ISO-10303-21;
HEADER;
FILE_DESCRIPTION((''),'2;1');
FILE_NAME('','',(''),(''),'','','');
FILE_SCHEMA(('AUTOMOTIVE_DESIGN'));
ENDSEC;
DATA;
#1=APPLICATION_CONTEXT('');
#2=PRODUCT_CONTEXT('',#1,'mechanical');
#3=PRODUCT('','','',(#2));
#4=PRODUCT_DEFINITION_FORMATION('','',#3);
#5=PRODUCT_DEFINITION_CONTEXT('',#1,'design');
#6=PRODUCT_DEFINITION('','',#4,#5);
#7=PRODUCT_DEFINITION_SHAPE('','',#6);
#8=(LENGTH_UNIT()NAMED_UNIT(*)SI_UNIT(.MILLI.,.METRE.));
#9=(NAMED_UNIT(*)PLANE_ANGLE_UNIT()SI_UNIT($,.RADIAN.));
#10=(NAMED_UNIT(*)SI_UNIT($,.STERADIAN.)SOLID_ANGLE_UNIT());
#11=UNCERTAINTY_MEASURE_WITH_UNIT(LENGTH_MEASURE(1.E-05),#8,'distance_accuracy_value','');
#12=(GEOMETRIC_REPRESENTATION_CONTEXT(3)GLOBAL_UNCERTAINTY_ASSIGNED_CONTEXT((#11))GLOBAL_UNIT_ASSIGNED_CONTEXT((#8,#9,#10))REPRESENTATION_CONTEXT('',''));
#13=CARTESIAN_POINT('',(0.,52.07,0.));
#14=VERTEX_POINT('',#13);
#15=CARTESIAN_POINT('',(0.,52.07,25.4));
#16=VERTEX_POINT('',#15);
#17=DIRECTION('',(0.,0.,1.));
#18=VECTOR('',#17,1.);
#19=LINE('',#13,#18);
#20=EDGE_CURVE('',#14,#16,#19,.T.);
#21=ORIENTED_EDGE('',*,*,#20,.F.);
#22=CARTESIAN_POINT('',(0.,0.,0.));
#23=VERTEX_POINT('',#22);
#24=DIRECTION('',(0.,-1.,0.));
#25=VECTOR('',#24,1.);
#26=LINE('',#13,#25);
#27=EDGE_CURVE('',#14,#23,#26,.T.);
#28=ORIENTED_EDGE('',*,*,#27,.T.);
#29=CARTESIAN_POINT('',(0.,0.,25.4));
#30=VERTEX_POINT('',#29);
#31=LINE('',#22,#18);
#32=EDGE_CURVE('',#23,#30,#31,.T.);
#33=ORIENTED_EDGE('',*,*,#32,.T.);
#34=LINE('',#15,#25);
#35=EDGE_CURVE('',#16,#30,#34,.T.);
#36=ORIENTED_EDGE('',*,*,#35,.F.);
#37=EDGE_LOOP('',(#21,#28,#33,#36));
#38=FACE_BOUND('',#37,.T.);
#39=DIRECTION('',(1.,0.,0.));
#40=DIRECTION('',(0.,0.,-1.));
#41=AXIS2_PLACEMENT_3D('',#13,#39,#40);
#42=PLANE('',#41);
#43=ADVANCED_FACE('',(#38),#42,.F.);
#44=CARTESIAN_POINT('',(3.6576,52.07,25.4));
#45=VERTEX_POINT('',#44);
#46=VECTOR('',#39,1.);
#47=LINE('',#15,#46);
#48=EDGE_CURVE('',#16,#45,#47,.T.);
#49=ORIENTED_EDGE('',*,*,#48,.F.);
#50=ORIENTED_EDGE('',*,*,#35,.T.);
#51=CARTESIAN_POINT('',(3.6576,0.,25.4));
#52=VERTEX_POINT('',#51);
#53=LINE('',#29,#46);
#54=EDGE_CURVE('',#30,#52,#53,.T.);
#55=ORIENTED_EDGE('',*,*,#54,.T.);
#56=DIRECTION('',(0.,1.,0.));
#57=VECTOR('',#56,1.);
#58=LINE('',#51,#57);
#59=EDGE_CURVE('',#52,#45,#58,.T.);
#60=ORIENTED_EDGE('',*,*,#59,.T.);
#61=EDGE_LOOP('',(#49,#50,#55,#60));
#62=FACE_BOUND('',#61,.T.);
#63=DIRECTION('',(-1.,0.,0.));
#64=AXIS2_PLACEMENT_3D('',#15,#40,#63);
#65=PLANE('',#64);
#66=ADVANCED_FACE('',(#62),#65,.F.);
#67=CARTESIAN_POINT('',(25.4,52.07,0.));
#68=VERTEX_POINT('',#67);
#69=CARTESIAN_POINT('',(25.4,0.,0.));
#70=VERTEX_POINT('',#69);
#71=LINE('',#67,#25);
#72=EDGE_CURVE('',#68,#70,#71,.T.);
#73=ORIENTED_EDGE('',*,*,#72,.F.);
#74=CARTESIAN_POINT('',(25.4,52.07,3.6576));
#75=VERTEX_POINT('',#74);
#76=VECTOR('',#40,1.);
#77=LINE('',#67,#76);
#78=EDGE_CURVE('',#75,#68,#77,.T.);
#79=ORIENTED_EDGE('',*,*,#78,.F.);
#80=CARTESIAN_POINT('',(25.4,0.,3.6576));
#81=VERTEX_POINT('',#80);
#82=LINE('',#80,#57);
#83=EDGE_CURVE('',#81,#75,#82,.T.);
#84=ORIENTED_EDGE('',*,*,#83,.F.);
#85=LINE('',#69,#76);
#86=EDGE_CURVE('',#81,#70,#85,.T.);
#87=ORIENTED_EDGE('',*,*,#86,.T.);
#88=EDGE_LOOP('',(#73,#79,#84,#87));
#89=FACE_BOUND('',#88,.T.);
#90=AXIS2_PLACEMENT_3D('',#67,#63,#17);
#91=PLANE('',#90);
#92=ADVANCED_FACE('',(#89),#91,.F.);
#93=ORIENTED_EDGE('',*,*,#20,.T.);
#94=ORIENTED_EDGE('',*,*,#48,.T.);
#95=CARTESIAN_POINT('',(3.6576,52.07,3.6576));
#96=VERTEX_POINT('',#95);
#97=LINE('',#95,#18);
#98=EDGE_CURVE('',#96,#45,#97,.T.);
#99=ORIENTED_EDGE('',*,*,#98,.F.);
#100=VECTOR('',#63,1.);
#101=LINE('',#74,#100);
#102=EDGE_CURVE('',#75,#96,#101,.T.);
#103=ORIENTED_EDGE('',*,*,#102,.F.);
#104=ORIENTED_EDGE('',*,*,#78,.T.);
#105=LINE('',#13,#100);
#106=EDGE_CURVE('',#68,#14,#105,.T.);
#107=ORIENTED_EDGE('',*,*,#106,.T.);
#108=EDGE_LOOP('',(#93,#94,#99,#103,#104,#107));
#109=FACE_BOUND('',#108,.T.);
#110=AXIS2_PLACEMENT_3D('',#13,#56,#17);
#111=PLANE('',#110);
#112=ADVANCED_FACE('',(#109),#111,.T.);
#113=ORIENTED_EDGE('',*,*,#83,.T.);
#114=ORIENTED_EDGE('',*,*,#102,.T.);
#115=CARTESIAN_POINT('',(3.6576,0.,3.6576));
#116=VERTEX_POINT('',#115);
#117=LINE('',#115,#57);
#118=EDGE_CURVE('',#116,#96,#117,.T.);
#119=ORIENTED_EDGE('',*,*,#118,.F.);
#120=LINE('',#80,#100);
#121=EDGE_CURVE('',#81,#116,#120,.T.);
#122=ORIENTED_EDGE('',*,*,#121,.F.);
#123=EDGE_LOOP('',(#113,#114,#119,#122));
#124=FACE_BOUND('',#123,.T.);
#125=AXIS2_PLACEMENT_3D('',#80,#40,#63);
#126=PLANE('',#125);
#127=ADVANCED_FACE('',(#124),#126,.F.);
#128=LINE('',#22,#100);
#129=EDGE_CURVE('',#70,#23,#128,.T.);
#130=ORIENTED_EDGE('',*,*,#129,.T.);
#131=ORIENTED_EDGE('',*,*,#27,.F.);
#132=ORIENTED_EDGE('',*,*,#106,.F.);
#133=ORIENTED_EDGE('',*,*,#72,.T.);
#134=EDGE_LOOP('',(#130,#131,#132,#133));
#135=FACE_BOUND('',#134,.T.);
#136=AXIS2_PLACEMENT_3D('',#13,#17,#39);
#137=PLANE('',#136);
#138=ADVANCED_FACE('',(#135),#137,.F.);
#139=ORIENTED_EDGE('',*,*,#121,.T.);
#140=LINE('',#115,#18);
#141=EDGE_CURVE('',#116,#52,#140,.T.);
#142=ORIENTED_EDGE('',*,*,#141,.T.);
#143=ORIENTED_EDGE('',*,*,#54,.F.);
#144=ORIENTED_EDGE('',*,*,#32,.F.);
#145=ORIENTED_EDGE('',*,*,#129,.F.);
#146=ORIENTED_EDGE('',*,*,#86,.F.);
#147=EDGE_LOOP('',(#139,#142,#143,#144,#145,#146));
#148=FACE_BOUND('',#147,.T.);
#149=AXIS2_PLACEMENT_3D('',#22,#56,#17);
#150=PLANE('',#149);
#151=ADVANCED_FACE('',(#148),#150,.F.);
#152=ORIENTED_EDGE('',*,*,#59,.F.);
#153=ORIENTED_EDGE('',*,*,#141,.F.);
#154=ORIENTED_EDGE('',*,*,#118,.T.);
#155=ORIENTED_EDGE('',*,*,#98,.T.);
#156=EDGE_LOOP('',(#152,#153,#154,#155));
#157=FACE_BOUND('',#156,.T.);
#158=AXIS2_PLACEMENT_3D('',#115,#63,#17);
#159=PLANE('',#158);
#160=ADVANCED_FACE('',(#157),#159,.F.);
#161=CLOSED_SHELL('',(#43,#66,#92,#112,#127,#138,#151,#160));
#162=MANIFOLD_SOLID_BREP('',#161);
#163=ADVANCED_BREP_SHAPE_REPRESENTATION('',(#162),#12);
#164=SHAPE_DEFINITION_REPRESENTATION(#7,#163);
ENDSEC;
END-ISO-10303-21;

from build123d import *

# Parameters (mm, degrees)
SKETCH2_W           = 25.4
SKETCH2_H           = 25.4
BOSS_EXTRUDE1_DEPTH = 52.07
SKETCH3_W           = 21.7424
SKETCH3_H           = 21.7424
CUT_EXTRUDE1_DEPTH  = 52.07


with BuildPart() as part:
    # Sketch2 → Boss-Extrude1 (new body)
    with BuildSketch(Plane(origin=(0, 0, 0), x_dir=(1, 0, 0), z_dir=(0, 1, 0))):
        with Locations((12.7, -12.7)):
            Rectangle(SKETCH2_W, SKETCH2_H)
    extrude(amount=BOSS_EXTRUDE1_DEPTH)

    # Sketch3 → Cut-Extrude1 (cut)
    with BuildSketch(Plane(origin=(0, 52.07, 0), x_dir=(1, 0, 0), z_dir=(0, 1, 0))):
        with Locations((14.5288, -14.5288)):
            Rectangle(SKETCH3_W, SKETCH3_H)
    extrude(amount=-CUT_EXTRUDE1_DEPTH, mode=Mode.SUBTRACT)


solid = part.part
